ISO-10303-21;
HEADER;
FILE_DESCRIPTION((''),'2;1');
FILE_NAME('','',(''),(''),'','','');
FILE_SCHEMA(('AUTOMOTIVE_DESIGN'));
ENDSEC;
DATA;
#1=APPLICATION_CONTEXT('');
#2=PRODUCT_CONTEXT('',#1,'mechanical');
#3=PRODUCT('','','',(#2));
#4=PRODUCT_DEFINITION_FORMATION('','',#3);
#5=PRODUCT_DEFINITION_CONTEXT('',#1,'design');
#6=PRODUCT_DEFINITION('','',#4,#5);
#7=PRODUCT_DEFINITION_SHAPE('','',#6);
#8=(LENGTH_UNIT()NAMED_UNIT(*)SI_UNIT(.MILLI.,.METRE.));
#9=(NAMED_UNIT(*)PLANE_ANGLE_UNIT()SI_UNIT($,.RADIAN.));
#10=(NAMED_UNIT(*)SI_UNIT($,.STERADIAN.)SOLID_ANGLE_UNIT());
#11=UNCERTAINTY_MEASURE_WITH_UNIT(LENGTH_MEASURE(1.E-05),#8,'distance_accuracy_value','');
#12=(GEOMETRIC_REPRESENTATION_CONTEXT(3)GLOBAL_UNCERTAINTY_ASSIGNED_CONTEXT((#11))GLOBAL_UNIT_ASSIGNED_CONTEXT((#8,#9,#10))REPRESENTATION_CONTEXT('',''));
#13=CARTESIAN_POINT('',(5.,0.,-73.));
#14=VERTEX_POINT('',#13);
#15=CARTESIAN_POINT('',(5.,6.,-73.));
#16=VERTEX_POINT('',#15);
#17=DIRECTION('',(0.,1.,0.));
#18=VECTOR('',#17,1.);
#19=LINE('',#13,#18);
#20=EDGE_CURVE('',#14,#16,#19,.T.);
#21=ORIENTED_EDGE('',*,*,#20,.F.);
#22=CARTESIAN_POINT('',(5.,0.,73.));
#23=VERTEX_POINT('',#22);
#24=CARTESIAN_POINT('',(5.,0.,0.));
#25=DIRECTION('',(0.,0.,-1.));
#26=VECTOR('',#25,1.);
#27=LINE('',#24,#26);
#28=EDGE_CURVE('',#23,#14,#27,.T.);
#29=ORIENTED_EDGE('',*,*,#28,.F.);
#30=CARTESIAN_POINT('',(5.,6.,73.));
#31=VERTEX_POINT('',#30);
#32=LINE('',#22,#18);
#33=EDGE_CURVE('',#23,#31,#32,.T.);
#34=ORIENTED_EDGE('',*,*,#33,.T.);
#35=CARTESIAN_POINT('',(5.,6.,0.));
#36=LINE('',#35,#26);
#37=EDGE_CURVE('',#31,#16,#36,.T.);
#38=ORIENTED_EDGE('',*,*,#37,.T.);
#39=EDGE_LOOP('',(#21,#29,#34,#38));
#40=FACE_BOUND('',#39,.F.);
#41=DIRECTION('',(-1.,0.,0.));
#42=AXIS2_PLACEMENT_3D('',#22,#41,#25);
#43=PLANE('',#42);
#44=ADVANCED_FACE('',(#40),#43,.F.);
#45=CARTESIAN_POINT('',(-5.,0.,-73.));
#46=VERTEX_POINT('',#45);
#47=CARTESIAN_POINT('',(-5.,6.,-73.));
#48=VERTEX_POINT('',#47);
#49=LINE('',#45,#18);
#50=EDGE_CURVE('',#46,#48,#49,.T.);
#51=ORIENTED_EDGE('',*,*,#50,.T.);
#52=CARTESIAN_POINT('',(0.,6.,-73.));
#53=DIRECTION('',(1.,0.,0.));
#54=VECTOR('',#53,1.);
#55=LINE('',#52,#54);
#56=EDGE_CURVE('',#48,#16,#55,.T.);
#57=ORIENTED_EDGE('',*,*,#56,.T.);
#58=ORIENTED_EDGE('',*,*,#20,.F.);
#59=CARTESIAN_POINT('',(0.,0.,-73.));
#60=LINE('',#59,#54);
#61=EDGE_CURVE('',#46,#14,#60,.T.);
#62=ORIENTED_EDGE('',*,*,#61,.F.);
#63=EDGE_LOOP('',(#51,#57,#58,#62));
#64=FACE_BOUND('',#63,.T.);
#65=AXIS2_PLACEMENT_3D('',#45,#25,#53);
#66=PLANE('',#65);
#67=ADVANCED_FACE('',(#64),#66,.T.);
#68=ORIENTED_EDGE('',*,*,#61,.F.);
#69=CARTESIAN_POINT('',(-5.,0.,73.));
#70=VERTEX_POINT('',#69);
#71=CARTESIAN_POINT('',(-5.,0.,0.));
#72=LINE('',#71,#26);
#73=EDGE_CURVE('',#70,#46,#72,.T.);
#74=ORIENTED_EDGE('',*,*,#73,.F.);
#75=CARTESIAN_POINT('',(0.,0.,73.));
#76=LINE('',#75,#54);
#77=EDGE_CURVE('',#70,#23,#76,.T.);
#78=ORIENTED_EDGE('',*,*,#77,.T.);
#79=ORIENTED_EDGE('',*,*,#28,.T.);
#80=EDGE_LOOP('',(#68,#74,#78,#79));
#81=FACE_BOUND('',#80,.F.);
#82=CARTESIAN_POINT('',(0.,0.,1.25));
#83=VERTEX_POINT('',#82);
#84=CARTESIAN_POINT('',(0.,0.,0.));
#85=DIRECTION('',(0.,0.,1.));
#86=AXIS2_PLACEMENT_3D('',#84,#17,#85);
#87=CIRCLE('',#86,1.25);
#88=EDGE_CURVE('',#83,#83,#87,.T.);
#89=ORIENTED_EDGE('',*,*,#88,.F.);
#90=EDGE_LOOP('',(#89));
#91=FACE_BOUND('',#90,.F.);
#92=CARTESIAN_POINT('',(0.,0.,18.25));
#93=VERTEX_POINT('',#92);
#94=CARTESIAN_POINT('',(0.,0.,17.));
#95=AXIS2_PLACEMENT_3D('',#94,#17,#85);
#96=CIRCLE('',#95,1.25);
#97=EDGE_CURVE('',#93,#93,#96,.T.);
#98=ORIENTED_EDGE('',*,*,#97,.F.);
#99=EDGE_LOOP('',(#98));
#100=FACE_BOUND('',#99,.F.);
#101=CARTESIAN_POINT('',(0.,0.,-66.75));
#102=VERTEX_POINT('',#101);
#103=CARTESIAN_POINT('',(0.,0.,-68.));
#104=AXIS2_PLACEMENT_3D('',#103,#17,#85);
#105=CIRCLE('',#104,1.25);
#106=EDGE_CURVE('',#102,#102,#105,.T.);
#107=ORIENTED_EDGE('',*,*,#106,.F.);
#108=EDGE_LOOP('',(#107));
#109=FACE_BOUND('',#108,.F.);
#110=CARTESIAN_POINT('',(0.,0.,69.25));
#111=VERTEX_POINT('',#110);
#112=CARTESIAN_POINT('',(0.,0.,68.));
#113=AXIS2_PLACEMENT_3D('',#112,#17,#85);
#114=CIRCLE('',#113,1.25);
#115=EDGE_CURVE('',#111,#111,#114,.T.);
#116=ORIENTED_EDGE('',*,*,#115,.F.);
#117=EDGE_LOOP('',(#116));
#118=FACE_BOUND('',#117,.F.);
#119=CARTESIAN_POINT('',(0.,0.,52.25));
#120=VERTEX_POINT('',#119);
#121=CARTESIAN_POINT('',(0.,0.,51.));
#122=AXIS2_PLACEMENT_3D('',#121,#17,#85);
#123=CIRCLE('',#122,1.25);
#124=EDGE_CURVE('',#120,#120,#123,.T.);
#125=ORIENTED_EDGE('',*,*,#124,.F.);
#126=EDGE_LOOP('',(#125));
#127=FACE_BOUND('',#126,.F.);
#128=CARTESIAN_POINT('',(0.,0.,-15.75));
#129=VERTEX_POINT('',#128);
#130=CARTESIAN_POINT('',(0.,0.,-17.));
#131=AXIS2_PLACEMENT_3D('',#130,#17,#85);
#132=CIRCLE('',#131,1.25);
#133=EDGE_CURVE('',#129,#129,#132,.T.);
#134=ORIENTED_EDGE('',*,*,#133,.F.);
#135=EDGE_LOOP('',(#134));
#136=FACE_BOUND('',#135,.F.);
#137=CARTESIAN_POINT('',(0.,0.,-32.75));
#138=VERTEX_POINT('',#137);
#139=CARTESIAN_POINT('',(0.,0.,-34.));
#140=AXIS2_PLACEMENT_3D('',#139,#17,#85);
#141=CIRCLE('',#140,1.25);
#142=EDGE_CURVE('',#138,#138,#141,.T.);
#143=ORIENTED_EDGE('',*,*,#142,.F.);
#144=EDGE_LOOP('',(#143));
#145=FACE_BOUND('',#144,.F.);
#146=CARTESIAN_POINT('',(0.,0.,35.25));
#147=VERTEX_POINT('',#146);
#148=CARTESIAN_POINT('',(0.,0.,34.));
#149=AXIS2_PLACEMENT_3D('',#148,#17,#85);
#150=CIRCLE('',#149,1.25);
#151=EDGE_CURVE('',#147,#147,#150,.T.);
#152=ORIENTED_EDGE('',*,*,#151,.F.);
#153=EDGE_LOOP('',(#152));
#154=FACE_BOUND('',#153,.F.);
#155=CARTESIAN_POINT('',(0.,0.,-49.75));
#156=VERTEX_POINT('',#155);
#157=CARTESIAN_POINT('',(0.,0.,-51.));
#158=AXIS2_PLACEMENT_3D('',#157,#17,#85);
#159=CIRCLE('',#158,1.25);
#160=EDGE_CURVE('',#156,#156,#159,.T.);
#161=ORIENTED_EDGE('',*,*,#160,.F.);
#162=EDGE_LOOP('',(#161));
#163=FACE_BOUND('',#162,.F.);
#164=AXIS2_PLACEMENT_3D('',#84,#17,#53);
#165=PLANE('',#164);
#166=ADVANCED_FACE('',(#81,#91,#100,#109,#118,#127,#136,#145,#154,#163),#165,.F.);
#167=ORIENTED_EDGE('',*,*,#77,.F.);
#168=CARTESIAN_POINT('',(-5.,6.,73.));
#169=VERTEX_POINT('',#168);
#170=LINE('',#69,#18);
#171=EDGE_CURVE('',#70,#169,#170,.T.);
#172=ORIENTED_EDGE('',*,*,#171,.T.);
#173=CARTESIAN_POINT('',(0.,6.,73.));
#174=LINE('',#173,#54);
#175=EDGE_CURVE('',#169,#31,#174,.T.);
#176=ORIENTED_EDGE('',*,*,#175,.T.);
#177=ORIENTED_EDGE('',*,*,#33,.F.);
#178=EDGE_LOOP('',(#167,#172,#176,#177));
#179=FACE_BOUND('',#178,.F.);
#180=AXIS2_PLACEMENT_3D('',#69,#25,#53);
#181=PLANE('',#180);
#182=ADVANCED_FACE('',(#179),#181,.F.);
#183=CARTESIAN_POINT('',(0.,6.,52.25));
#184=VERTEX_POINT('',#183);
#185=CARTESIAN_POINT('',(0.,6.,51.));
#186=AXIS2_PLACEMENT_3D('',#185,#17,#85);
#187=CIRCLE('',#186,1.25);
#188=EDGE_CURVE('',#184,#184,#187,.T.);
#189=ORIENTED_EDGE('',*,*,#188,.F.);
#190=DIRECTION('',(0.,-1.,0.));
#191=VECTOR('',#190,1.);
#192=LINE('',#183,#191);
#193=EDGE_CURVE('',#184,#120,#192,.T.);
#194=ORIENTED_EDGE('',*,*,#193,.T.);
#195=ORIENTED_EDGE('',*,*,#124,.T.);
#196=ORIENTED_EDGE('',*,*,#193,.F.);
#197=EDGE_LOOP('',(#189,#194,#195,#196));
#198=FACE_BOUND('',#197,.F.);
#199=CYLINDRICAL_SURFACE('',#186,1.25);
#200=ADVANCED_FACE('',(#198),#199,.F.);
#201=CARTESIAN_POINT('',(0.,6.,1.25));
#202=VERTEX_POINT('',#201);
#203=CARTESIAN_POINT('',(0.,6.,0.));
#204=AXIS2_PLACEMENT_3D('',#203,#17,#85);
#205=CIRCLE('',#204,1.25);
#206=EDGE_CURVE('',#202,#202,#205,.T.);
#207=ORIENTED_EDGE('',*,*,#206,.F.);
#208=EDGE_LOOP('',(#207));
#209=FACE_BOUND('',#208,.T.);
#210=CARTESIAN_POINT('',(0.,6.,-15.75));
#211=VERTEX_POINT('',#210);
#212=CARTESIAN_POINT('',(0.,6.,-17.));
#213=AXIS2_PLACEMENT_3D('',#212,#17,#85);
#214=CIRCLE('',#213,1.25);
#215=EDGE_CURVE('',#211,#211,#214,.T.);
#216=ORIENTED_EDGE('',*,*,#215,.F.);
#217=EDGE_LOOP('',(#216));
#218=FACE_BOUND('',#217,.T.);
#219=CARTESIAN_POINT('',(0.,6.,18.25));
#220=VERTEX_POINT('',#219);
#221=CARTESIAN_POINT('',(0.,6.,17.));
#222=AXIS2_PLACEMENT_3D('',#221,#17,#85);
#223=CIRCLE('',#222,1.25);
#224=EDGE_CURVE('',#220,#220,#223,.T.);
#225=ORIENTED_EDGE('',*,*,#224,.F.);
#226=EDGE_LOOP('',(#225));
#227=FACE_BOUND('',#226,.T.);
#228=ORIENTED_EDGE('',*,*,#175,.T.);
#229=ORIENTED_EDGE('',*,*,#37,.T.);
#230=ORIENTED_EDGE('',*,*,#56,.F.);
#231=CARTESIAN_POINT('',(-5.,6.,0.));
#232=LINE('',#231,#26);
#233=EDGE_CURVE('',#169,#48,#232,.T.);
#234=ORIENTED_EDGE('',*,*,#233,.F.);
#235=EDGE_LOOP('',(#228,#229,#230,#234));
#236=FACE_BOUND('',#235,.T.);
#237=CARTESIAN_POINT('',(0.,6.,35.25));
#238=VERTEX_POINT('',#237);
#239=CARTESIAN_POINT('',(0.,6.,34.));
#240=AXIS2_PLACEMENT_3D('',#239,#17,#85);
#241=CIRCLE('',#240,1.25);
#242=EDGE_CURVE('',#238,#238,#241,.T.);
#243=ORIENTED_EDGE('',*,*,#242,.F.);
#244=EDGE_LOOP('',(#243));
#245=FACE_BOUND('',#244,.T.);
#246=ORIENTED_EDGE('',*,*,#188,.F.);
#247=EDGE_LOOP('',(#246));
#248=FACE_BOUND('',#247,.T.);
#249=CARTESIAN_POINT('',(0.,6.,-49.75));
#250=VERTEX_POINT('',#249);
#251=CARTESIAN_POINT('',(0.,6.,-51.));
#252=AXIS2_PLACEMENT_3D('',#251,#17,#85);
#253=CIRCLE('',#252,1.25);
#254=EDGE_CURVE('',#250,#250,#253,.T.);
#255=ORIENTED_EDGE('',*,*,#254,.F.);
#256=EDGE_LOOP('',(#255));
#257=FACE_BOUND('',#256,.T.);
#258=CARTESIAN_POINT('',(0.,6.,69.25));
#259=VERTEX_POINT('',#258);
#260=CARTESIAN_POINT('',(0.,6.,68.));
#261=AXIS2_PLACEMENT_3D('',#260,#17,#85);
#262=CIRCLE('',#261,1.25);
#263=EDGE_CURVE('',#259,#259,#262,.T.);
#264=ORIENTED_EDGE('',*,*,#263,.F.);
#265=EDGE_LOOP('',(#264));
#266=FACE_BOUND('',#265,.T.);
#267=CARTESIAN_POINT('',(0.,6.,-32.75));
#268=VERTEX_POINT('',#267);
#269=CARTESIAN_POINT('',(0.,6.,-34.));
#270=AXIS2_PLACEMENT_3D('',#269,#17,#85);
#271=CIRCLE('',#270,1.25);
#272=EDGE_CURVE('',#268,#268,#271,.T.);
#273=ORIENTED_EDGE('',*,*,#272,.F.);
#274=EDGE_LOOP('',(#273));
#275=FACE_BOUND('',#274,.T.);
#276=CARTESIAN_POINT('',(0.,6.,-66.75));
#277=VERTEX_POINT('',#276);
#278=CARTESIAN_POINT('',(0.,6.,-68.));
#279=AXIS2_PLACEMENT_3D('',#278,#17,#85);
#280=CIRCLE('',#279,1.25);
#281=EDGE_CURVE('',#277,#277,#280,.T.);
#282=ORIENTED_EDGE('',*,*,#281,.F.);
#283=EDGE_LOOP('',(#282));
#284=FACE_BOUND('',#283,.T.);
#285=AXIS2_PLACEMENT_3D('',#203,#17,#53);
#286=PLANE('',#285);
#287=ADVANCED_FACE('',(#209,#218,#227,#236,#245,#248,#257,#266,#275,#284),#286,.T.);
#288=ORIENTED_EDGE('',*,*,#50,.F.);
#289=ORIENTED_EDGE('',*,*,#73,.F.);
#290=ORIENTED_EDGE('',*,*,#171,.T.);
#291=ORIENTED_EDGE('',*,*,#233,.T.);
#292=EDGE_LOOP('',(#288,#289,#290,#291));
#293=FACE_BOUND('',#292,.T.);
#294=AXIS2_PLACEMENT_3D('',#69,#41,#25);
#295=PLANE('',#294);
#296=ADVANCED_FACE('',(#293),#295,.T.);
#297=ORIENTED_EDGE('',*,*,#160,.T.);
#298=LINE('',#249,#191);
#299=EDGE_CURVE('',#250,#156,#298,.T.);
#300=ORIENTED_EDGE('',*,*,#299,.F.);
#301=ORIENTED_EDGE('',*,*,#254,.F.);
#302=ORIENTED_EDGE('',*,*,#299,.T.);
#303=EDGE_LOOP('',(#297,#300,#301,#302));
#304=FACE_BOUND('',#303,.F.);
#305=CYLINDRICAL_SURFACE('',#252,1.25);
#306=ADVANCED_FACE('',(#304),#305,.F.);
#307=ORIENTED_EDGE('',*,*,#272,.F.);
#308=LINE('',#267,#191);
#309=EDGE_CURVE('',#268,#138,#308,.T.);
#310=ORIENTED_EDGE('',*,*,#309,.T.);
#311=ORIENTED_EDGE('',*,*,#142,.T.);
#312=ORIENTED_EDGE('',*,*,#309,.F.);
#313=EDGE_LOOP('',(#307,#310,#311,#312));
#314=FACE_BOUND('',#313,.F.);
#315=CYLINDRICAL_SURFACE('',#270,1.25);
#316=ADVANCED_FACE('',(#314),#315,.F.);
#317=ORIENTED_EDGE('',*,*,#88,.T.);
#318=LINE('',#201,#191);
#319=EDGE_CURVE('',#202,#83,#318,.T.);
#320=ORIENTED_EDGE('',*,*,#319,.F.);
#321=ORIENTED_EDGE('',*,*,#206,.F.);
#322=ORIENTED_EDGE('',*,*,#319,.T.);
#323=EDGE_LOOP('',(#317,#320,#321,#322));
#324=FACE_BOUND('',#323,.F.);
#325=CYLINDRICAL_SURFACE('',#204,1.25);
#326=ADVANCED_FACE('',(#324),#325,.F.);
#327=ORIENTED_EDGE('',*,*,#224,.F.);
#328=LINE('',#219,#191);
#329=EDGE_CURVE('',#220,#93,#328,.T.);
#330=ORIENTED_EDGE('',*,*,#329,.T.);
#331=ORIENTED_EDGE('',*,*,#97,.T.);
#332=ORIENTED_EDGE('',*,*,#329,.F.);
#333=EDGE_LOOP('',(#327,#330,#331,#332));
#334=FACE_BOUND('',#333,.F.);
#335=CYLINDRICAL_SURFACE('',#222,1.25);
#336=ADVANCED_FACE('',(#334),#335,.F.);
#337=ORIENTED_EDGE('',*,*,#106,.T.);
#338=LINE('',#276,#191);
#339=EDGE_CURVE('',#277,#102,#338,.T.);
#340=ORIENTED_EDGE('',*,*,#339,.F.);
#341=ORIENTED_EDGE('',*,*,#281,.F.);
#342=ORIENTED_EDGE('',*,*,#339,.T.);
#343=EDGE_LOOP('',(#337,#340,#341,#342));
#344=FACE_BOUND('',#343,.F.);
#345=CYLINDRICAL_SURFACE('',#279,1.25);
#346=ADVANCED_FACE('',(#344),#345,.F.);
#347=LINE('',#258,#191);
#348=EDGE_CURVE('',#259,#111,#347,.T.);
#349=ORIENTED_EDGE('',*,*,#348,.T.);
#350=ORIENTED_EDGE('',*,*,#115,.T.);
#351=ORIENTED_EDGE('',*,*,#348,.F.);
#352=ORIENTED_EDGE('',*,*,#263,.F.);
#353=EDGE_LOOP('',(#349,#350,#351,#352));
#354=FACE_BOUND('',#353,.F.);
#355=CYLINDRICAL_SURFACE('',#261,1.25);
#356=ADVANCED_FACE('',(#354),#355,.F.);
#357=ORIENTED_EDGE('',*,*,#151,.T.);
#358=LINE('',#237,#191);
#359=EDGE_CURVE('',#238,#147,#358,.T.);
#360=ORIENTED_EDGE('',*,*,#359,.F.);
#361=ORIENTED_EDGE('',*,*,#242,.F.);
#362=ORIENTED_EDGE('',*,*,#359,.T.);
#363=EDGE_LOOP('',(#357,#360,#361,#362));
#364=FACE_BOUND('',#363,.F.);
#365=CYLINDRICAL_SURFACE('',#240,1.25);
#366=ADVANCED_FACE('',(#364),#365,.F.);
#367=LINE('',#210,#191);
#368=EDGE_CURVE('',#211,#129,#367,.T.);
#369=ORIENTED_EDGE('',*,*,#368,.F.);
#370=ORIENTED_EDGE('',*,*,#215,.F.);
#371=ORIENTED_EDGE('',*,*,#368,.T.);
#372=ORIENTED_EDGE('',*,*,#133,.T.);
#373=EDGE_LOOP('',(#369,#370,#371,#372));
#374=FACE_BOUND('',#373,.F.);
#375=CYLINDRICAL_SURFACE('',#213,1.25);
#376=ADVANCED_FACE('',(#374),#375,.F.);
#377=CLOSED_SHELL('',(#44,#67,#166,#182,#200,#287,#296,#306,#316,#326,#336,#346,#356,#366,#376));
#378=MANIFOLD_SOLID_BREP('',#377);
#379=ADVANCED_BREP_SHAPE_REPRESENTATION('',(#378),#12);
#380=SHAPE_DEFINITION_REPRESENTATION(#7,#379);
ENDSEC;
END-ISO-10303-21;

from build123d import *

# Parameters (mm, degrees)
SKETCH1_W           = 10
SKETCH1_H           = 146
BOSS_EXTRUDE1_DEPTH = 6
CUT_EXTRUDE1_REACH  = 75.417
SKETCH2_R           = 1.25
LPATTERN1_COUNT     = 9
LPATTERN1_PITCH     = 17


with BuildPart() as part:
    # Sketch1 → Boss-Extrude1 (new body)
    with BuildSketch(Plane(origin=(0, 0, 0), x_dir=(1, 0, 0), z_dir=(0, 1, 0))):
        Rectangle(SKETCH1_W, SKETCH1_H)
    extrude(amount=BOSS_EXTRUDE1_DEPTH)

    # Sketch2 → Cut-Extrude1 (cut, up to next)
    with BuildSketch(Plane(origin=(0, 6, 0), x_dir=(1, 0, 0), z_dir=(0, 1, 0)), mode=Mode.PRIVATE) as cut_extrude1_sk1:
        with Locations(Location((0, 68, 0), (0, 0, 270))):
            Circle(SKETCH2_R)
    cut_extrude1_tool1 = extrude(cut_extrude1_sk1.sketch, amount=-CUT_EXTRUDE1_REACH, mode=Mode.PRIVATE) & part.part
    cut_extrude1 = cut_extrude1_tool1.solids().sort_by_distance((0, 6, -68))[0]
    add(cut_extrude1, mode=Mode.SUBTRACT)

    # LPattern1: Cut-Extrude1 ×9
    with Locations(*[(0, 0, i * LPATTERN1_PITCH) for i in range(1, LPATTERN1_COUNT)]):
        add(cut_extrude1, mode=Mode.SUBTRACT)


solid = part.part
